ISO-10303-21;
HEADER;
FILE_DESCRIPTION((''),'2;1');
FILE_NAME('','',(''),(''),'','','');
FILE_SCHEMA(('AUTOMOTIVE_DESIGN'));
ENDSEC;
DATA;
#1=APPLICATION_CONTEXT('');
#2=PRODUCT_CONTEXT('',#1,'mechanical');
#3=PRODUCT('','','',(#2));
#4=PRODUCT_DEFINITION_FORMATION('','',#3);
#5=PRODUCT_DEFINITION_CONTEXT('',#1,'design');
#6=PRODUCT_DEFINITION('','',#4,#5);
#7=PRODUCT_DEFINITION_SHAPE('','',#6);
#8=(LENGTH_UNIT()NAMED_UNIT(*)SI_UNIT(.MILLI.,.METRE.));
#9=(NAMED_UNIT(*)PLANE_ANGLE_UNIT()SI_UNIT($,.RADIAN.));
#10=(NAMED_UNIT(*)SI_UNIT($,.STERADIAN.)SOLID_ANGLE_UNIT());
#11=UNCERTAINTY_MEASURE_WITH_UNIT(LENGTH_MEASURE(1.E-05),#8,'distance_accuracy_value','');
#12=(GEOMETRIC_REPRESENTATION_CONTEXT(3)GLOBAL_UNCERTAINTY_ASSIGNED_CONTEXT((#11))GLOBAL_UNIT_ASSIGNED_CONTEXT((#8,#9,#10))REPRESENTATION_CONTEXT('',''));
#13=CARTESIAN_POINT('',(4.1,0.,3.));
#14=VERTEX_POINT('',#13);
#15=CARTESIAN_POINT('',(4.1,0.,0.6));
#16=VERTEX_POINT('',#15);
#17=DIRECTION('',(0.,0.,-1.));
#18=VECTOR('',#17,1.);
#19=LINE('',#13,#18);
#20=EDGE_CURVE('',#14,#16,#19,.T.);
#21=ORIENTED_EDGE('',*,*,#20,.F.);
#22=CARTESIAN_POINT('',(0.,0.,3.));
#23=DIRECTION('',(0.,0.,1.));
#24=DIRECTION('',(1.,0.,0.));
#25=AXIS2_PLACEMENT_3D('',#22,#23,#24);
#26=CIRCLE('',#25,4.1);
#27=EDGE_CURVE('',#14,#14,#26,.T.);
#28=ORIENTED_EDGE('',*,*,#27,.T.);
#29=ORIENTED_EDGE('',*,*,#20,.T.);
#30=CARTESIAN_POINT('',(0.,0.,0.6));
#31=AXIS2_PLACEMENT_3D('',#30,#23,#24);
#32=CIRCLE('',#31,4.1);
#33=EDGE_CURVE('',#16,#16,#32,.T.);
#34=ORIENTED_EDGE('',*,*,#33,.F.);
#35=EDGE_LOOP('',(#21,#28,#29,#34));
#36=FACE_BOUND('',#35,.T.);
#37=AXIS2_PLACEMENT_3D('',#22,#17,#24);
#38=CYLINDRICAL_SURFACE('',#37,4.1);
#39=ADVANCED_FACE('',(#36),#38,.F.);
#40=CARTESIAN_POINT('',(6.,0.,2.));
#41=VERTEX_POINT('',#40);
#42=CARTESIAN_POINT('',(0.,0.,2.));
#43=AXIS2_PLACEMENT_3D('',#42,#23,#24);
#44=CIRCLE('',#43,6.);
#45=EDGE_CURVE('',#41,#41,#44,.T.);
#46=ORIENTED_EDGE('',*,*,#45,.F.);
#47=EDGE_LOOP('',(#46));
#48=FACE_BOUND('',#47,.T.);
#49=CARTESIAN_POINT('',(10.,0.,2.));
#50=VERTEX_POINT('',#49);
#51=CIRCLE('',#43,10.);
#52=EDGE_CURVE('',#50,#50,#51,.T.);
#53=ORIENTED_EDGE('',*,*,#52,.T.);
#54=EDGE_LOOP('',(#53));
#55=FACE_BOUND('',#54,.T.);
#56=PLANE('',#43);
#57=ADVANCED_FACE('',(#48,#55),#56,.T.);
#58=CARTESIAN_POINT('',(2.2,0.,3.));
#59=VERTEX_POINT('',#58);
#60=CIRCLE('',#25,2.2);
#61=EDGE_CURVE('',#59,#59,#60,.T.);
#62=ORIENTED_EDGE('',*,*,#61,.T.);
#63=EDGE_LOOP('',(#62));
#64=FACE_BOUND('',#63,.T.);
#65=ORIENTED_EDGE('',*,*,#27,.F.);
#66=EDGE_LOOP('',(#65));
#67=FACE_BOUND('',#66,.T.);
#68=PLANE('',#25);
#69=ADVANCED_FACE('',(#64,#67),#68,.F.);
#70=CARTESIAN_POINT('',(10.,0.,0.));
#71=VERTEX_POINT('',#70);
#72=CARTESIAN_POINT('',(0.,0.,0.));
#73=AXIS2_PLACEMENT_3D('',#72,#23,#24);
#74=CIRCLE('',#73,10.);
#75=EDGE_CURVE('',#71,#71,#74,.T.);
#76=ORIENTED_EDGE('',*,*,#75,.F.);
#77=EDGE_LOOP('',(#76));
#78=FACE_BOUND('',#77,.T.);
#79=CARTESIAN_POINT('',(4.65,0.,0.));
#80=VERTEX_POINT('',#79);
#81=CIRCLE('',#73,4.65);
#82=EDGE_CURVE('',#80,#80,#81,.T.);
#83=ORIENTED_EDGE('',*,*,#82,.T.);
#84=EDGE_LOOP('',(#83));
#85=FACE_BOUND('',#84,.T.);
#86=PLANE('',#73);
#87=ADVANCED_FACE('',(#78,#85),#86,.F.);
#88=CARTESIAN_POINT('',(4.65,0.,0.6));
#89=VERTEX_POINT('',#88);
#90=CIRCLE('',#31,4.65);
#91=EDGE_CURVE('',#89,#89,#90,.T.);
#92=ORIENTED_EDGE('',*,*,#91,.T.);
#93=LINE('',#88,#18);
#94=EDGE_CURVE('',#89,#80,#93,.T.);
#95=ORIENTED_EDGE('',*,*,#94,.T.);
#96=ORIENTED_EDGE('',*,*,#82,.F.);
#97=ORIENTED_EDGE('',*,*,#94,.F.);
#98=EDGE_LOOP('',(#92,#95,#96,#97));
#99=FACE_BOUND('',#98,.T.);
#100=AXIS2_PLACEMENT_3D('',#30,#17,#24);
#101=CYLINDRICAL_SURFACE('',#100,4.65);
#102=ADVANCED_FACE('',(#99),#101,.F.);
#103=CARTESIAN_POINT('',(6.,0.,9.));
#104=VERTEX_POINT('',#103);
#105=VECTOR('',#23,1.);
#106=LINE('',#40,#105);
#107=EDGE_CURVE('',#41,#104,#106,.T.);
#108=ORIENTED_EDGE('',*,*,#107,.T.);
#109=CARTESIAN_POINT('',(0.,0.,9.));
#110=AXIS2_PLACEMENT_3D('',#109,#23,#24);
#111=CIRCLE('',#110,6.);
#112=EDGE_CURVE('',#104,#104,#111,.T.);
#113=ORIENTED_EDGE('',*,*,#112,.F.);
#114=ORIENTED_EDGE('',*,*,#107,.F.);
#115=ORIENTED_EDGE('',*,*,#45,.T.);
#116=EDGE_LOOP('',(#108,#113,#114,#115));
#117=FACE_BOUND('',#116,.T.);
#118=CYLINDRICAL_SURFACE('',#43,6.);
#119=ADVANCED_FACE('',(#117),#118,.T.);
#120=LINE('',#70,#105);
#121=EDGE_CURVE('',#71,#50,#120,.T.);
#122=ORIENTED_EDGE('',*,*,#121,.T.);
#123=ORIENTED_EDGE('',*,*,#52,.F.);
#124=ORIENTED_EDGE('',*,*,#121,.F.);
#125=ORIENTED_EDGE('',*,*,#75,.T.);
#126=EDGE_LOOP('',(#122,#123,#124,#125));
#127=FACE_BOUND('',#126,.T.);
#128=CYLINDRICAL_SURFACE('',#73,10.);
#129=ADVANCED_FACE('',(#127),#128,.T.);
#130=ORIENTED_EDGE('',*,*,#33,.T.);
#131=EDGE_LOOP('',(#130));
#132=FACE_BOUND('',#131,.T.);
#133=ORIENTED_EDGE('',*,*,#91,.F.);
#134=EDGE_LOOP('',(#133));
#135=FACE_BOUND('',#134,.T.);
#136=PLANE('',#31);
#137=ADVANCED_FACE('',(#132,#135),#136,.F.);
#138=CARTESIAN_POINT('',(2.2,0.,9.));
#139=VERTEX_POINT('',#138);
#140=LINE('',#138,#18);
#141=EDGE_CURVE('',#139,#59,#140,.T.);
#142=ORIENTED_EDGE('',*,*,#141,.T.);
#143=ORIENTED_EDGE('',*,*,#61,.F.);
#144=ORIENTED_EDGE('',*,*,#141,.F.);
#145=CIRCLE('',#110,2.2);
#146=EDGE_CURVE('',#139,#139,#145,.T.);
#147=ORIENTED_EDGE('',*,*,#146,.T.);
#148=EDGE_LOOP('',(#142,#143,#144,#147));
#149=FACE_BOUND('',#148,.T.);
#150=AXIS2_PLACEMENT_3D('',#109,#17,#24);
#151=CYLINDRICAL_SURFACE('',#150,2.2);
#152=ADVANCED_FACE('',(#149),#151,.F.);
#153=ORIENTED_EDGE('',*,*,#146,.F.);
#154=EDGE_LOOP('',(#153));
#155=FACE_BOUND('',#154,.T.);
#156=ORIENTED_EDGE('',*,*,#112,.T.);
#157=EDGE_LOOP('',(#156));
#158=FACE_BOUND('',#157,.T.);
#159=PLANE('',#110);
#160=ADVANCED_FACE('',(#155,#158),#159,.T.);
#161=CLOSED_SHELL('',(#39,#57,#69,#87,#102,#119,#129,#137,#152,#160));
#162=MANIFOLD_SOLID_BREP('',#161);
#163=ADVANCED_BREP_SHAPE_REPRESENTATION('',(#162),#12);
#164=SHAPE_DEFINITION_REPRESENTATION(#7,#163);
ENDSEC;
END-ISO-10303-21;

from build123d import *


with BuildPart() as part:
    # Sketch → Revolution (revolve)
    with BuildSketch(Plane.XZ):
        Polygon((4.65, 0), (10, 0), (10, 2), (6, 2), (6, 9), (2.2, 9), (2.2, 3), (4.1, 3), (4.1, 0.6), (4.65, 0.6), align=None)
    revolve(axis=Axis((0, 0, 0), (0, 0, 1)))


solid = part.part
